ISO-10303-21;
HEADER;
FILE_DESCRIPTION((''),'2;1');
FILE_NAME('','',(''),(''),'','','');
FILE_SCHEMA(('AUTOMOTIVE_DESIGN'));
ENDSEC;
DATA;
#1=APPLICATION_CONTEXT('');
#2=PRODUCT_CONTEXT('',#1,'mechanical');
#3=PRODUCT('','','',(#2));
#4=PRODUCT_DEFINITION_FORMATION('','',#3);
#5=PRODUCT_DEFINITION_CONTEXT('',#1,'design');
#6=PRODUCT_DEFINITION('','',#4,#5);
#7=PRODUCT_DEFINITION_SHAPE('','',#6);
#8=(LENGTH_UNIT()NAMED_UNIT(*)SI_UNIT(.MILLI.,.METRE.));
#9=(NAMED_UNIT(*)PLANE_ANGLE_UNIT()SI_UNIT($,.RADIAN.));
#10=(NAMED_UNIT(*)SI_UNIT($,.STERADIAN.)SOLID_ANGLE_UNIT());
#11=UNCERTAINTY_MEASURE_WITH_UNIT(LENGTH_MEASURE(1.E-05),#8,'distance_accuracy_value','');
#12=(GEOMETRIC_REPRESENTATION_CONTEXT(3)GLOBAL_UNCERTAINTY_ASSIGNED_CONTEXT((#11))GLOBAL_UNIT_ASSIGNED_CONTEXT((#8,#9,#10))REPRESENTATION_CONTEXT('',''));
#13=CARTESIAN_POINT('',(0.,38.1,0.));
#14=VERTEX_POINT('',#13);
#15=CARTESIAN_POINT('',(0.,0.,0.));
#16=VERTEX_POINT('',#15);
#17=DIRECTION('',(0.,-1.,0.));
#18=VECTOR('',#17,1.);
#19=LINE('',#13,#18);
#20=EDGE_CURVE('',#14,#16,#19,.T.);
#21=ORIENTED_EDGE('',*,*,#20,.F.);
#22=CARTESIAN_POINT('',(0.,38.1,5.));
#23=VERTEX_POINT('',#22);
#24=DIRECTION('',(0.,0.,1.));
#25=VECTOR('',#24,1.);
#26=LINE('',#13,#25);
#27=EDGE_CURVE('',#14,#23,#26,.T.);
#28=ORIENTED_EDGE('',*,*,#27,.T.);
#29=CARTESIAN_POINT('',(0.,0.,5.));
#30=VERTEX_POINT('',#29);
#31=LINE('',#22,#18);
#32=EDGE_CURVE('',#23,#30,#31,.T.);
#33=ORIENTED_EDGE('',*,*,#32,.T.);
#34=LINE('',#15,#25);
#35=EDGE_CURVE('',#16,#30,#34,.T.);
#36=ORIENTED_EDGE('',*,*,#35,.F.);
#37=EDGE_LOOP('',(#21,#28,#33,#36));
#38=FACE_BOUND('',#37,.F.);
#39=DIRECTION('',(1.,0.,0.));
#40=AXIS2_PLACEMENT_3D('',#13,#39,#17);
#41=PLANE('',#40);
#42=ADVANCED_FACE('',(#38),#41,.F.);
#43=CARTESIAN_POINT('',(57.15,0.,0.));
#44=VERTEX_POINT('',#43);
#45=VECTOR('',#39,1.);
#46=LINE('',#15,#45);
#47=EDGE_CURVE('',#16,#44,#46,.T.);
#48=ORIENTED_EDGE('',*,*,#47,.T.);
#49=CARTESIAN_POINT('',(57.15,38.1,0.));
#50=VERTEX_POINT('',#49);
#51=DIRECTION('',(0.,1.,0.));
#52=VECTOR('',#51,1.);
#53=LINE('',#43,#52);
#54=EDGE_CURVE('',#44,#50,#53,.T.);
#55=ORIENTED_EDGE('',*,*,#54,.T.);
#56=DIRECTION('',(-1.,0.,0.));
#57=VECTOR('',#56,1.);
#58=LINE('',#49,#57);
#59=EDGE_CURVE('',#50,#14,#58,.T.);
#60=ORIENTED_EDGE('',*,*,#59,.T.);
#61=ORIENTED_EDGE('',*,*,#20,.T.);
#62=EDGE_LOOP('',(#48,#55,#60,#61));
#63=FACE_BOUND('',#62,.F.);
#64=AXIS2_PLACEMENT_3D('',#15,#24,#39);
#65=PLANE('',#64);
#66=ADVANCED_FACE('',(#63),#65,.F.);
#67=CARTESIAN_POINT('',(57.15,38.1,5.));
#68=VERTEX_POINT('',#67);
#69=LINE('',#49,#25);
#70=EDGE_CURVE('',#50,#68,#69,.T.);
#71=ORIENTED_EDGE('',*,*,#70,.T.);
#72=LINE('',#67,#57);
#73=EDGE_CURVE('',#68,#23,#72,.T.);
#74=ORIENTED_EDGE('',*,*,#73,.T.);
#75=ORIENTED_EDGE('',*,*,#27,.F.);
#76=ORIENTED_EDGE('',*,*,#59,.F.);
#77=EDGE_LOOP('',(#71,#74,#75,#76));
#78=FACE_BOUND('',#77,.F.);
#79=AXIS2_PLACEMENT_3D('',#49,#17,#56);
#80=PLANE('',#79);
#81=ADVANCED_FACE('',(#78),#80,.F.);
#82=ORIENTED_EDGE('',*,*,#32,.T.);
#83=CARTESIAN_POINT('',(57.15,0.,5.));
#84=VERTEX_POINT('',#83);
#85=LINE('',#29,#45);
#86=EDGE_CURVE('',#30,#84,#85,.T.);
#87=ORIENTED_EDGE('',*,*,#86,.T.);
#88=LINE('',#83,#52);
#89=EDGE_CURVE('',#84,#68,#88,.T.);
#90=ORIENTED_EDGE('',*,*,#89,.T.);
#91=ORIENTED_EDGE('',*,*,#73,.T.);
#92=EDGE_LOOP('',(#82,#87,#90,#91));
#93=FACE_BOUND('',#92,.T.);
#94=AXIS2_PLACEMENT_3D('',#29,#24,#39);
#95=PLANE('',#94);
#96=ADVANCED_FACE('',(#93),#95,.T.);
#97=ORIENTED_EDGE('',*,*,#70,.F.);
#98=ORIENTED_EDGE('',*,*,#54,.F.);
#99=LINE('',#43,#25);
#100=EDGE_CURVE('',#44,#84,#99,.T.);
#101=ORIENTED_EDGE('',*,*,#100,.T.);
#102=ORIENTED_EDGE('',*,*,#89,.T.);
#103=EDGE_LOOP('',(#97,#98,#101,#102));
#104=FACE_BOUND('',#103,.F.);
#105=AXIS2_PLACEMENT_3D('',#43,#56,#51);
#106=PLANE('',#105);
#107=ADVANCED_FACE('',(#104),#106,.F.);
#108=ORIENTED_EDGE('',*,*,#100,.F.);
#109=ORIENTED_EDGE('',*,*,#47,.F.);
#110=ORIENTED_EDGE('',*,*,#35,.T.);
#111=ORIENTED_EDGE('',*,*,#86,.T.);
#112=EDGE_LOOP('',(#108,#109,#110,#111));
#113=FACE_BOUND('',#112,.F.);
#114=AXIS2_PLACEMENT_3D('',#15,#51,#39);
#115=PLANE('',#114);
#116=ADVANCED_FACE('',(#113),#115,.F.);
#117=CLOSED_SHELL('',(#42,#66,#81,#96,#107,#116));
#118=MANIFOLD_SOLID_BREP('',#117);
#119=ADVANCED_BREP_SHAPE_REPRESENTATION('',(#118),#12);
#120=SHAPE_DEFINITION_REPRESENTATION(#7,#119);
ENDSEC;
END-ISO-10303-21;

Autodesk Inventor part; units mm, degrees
ref_plane "YZ Plane" through (0, 0, 0) normal (1, 0, 0) x (0, 1, 0)
ref_plane "XZ Plane" through (0, 0, 0) normal (0, 1, 0) x (-1, 0, 0)
ref_plane "XY Plane" through (0, 0, 0) normal (0, 0, 1) x (1, 0, 0)
sketch "Sketch1" plane through (0, 0, 0) normal (0, 0, 1) x (1, 0, 0)
  line L0 (0, 0) -> (57.15, 0)
  line L1 (57.15, 0) -> (57.15, 38.1)
  line L2 (57.15, 38.1) -> (0, 38.1)
  line L3 (0, 38.1) -> (0, 0)
  dimension "d0" = 57.15
  dimension "d1" = 38.1
extrude "Extrusion1" add sketch "Sketch1" along normal blind 5
properties part number "TPA6021A4EVM"
